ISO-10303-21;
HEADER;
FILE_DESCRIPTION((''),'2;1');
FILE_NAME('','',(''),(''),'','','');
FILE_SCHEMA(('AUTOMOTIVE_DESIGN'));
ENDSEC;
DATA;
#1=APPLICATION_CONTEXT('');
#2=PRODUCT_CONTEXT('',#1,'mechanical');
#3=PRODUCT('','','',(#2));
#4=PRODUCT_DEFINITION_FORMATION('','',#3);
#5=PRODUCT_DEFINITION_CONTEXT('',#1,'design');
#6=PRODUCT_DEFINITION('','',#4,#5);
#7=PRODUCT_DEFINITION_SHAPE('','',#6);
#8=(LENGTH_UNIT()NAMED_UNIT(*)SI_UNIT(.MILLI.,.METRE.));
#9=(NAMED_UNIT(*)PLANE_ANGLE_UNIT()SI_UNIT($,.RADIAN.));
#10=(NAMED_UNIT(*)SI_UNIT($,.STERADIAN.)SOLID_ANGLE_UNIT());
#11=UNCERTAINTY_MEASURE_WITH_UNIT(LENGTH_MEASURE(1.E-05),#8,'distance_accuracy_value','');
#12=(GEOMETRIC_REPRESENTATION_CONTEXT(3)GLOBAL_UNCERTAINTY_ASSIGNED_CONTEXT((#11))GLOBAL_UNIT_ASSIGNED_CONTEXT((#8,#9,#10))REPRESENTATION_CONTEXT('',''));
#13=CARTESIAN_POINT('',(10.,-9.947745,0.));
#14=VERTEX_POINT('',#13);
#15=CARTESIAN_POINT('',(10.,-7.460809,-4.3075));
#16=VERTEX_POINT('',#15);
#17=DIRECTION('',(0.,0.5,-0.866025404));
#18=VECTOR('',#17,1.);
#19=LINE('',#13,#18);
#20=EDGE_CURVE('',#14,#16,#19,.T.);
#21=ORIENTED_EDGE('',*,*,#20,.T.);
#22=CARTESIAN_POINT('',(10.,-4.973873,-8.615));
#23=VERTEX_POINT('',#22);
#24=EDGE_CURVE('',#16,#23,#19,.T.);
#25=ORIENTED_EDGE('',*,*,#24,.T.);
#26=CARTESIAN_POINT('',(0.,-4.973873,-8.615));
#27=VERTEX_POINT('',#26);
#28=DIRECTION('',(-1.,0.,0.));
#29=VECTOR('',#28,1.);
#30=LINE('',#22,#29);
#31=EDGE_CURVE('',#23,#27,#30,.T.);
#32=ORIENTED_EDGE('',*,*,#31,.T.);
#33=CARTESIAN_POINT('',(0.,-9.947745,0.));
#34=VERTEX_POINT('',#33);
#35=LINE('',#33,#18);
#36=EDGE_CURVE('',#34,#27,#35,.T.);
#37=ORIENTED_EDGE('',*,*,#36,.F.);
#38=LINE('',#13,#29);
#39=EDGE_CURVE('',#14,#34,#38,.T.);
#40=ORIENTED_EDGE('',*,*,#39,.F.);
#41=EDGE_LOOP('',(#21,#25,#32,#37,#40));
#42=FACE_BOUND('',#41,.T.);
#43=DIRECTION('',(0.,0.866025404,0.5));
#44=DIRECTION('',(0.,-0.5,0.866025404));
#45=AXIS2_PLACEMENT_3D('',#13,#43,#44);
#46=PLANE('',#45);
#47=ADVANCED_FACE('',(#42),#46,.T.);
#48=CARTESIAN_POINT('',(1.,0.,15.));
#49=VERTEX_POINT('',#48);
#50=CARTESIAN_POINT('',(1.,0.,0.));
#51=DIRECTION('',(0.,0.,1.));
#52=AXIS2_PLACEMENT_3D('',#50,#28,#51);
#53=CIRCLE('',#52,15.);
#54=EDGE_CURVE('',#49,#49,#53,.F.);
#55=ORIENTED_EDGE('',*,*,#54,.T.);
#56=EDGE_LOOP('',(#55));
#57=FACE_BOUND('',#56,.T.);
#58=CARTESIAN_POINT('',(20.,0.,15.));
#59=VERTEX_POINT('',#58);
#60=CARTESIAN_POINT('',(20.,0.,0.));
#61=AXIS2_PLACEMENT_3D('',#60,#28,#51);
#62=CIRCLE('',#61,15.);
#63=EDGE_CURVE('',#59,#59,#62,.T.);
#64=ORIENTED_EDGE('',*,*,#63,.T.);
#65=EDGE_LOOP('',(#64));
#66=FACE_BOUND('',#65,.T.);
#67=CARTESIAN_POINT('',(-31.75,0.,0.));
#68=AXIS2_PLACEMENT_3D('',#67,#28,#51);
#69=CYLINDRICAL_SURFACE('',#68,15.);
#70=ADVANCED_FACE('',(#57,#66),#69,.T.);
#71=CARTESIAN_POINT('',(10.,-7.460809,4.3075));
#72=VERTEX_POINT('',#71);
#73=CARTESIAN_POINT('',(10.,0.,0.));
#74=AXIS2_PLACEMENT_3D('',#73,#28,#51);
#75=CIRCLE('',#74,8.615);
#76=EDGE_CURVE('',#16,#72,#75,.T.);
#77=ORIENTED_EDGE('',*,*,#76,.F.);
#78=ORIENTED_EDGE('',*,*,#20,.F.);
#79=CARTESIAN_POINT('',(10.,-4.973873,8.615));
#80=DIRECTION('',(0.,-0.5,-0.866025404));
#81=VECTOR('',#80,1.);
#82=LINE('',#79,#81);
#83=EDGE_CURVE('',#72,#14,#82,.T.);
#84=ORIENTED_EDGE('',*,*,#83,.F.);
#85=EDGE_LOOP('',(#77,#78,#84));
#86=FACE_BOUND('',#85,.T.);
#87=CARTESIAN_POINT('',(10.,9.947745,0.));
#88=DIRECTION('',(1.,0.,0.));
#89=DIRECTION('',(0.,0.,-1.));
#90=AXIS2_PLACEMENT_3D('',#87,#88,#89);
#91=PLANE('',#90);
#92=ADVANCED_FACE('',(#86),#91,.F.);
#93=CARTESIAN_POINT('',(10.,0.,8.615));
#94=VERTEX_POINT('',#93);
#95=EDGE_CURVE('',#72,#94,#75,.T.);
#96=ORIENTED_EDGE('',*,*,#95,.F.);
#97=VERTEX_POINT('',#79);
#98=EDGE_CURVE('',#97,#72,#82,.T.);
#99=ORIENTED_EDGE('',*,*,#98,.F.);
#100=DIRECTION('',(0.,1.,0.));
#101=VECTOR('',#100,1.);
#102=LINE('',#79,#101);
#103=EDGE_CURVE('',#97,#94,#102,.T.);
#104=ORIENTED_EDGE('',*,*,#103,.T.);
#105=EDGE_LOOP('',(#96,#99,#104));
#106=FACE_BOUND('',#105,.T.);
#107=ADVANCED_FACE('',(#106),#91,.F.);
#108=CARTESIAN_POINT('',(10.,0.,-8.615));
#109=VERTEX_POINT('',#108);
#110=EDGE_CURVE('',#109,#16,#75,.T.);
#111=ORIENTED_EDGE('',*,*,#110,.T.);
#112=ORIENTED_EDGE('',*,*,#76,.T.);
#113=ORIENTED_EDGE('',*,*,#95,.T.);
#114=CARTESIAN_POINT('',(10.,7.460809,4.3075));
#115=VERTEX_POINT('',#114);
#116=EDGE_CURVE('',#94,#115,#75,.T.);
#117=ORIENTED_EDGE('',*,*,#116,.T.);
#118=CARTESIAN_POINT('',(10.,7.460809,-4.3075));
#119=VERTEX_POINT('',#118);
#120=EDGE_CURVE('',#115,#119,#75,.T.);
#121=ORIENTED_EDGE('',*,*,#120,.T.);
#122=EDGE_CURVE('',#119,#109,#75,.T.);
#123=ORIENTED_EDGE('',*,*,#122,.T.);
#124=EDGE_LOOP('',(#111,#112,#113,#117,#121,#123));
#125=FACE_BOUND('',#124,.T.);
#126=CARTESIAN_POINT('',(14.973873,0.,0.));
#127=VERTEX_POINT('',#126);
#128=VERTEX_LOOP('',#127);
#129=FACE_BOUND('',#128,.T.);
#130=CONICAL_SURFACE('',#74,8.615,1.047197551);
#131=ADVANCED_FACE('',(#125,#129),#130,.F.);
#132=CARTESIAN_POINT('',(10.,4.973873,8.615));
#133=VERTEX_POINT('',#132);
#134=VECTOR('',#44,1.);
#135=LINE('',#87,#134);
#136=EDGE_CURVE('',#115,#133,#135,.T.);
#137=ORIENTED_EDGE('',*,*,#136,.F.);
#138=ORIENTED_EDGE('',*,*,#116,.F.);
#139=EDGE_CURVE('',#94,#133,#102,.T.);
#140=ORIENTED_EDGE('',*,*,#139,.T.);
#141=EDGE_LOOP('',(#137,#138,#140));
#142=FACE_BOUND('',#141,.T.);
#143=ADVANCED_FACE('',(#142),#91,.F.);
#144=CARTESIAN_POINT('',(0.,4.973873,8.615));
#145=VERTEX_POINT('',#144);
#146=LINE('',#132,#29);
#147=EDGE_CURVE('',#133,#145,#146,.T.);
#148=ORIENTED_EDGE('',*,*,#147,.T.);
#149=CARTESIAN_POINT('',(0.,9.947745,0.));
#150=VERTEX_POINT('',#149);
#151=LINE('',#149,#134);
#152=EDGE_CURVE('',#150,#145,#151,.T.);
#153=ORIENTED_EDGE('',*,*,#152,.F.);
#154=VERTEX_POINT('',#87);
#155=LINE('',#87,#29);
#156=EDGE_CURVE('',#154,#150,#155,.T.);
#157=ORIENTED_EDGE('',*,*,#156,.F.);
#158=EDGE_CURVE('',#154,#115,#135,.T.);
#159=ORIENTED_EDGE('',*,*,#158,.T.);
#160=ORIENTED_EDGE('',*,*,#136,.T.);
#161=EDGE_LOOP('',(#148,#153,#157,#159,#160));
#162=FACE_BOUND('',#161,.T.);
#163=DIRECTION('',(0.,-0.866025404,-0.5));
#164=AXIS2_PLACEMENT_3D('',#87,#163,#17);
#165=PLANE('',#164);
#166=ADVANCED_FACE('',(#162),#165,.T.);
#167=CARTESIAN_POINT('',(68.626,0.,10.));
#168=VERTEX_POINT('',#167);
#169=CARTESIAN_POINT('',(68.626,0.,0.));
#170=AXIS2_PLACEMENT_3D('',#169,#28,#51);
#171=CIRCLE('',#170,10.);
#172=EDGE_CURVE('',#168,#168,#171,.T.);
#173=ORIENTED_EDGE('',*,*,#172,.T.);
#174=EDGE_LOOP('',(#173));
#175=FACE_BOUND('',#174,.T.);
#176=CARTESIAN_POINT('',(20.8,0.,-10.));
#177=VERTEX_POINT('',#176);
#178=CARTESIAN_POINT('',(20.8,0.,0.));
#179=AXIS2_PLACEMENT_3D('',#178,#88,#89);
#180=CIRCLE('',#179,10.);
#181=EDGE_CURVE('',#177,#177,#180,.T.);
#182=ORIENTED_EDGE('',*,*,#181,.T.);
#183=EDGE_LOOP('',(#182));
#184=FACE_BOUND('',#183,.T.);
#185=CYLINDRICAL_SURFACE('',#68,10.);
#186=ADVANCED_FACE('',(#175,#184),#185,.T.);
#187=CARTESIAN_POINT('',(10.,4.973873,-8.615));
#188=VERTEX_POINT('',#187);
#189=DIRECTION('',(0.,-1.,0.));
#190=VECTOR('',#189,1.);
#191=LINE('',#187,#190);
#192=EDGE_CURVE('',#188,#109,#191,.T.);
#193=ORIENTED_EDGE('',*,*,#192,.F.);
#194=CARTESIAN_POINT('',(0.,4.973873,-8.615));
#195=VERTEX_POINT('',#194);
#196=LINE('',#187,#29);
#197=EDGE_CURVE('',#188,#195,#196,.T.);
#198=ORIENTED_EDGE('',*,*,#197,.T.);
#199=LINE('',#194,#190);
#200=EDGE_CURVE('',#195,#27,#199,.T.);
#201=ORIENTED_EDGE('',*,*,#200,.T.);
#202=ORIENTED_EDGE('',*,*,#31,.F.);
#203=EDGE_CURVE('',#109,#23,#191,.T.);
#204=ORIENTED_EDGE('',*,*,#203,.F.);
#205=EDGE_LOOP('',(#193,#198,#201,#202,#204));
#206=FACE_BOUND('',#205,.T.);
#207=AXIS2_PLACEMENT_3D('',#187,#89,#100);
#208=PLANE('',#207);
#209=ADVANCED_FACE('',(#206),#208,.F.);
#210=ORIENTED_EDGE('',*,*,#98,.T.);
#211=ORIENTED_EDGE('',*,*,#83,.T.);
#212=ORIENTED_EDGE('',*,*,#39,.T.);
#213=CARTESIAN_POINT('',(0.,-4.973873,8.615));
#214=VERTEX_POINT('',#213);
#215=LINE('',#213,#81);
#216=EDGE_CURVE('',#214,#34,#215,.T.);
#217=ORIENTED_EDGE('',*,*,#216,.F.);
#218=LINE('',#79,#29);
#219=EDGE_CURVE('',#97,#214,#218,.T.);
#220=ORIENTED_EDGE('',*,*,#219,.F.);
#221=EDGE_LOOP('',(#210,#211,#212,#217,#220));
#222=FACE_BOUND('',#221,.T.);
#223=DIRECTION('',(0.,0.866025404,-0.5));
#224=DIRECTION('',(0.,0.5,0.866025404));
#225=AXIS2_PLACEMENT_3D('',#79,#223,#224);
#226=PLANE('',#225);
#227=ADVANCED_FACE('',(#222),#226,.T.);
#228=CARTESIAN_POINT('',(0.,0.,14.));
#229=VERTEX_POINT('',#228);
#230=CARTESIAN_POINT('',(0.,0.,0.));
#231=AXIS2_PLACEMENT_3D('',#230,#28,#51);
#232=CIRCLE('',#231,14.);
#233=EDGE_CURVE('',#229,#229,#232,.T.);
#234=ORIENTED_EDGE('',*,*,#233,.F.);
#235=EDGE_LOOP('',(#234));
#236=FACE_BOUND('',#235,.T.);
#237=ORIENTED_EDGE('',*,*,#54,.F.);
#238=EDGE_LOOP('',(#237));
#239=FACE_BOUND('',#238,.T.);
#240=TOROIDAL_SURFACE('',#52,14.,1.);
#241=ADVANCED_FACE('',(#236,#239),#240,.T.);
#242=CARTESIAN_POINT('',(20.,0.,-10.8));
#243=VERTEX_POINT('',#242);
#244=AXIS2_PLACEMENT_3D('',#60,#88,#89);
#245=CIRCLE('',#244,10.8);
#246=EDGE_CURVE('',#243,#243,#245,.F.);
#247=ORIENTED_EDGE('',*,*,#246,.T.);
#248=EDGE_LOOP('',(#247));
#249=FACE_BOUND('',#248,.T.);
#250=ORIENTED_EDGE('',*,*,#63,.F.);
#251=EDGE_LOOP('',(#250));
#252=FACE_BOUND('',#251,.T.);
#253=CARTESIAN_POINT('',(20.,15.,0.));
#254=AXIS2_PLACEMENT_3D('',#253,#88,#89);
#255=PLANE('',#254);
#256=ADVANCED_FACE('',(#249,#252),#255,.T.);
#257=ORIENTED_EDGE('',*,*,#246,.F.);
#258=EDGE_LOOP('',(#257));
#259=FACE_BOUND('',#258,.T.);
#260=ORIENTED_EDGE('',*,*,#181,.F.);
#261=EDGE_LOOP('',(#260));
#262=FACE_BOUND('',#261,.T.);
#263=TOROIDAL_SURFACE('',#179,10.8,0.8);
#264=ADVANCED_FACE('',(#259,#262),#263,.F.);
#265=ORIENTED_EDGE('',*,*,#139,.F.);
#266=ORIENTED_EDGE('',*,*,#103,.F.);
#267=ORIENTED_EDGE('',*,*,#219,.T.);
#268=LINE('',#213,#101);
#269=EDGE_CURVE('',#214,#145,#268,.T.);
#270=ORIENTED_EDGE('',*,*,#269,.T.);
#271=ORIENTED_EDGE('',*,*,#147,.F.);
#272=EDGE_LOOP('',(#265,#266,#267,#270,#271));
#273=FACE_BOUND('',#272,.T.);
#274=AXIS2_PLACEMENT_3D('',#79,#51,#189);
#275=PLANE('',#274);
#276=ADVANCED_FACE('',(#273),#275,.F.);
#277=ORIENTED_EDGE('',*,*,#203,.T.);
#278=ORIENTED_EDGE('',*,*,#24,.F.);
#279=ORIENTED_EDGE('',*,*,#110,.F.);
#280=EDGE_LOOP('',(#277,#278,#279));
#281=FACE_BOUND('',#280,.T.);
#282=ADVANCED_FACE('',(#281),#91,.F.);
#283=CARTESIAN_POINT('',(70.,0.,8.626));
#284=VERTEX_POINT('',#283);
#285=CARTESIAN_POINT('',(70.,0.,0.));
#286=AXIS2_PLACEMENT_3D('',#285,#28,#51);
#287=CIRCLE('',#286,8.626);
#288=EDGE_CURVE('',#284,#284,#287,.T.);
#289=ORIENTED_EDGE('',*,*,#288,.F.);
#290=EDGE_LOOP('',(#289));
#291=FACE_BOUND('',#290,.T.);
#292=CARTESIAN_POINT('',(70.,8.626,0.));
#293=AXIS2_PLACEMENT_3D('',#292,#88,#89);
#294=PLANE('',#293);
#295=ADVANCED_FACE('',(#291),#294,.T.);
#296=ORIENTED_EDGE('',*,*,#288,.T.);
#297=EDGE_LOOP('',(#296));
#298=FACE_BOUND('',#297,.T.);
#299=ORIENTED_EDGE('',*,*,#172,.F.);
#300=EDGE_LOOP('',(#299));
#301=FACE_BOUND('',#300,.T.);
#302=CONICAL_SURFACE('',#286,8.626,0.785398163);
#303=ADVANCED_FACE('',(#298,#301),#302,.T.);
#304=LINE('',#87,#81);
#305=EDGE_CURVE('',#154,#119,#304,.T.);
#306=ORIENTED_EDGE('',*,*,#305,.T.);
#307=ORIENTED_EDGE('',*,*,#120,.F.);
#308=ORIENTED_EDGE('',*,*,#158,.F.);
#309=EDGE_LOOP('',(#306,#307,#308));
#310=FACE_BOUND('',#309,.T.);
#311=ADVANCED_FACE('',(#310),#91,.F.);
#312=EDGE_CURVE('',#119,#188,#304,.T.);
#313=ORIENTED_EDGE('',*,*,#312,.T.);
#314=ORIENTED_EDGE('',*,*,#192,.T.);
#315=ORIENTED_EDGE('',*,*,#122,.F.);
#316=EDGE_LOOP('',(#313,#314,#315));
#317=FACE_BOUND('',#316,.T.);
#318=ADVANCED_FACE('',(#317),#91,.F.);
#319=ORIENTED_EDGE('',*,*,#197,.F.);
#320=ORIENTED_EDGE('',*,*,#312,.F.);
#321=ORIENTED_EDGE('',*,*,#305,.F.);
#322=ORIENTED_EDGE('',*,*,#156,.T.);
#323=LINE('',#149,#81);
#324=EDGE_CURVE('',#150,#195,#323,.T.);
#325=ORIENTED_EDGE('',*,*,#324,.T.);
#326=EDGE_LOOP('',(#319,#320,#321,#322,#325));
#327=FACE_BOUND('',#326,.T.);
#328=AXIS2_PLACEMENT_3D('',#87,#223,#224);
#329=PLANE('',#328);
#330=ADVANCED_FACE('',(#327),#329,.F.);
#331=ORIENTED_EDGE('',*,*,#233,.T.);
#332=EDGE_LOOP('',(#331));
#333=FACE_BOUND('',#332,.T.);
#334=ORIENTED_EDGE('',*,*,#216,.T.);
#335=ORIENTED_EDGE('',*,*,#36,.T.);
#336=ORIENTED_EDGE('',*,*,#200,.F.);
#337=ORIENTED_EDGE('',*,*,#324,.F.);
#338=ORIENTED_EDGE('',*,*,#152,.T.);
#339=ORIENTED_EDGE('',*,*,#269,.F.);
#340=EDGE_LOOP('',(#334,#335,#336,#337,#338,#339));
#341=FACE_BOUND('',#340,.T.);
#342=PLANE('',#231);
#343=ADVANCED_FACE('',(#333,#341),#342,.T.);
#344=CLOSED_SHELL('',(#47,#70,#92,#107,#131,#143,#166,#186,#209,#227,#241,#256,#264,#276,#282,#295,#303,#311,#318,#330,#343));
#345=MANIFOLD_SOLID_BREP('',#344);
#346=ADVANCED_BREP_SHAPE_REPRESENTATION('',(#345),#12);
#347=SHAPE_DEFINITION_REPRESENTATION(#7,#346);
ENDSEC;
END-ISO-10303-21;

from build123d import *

# Parameters (mm, degrees)
FILLET1_R   = 0.8
FILLET2_R   = 1
HEX_2_DEPTH = 10


with BuildPart() as part:
    # BodySke → Base-Revolve (revolve)
    with BuildSketch(Plane.XY):
        Polygon((0, 0), (0, 15), (20, 15), (20, 10), (68.626, 10), (70, 8.626), (70, 0), align=None)
    revolve(axis=Axis((-31.75, 0, 0), (1, 0, 0)))

    # Fillet1
    fillet1_edges = [part.edges().sort_by_distance(p)[0] for p in [
        (20, -10, 0),
    ]]
    fillet(fillet1_edges, radius=FILLET1_R)

    # Fillet2
    fillet2_edges = [part.edges().sort_by_distance(p)[0] for p in [
        (0, -15, 0),
    ]]
    fillet(fillet2_edges, radius=FILLET2_R)

    # Sketch2 → Hex-PreBroach (revolve, cut)
    with BuildSketch(Plane.XY):
        Polygon((0, 8.615), (10, 8.615), (14.973872569, 0), (0, 0), align=None)
    revolve(axis=Axis((0, 0, 0), (1, 0, 0)), mode=Mode.SUBTRACT)

    # Sketch3 → Hex 2 (cut)
    with BuildSketch(Plane(origin=(0, 0, 0), x_dir=(0, 0.5, 0.866025404), z_dir=(-1, 0, 0))):
        Polygon((4.973872569, 8.615), (-4.973872569, 8.615), (-9.947745138, 0), (-4.973872569, -8.615), (4.973872569, -8.615), (9.947745138, 0), align=None)
    extrude(amount=-HEX_2_DEPTH, mode=Mode.SUBTRACT)


solid = part.part
